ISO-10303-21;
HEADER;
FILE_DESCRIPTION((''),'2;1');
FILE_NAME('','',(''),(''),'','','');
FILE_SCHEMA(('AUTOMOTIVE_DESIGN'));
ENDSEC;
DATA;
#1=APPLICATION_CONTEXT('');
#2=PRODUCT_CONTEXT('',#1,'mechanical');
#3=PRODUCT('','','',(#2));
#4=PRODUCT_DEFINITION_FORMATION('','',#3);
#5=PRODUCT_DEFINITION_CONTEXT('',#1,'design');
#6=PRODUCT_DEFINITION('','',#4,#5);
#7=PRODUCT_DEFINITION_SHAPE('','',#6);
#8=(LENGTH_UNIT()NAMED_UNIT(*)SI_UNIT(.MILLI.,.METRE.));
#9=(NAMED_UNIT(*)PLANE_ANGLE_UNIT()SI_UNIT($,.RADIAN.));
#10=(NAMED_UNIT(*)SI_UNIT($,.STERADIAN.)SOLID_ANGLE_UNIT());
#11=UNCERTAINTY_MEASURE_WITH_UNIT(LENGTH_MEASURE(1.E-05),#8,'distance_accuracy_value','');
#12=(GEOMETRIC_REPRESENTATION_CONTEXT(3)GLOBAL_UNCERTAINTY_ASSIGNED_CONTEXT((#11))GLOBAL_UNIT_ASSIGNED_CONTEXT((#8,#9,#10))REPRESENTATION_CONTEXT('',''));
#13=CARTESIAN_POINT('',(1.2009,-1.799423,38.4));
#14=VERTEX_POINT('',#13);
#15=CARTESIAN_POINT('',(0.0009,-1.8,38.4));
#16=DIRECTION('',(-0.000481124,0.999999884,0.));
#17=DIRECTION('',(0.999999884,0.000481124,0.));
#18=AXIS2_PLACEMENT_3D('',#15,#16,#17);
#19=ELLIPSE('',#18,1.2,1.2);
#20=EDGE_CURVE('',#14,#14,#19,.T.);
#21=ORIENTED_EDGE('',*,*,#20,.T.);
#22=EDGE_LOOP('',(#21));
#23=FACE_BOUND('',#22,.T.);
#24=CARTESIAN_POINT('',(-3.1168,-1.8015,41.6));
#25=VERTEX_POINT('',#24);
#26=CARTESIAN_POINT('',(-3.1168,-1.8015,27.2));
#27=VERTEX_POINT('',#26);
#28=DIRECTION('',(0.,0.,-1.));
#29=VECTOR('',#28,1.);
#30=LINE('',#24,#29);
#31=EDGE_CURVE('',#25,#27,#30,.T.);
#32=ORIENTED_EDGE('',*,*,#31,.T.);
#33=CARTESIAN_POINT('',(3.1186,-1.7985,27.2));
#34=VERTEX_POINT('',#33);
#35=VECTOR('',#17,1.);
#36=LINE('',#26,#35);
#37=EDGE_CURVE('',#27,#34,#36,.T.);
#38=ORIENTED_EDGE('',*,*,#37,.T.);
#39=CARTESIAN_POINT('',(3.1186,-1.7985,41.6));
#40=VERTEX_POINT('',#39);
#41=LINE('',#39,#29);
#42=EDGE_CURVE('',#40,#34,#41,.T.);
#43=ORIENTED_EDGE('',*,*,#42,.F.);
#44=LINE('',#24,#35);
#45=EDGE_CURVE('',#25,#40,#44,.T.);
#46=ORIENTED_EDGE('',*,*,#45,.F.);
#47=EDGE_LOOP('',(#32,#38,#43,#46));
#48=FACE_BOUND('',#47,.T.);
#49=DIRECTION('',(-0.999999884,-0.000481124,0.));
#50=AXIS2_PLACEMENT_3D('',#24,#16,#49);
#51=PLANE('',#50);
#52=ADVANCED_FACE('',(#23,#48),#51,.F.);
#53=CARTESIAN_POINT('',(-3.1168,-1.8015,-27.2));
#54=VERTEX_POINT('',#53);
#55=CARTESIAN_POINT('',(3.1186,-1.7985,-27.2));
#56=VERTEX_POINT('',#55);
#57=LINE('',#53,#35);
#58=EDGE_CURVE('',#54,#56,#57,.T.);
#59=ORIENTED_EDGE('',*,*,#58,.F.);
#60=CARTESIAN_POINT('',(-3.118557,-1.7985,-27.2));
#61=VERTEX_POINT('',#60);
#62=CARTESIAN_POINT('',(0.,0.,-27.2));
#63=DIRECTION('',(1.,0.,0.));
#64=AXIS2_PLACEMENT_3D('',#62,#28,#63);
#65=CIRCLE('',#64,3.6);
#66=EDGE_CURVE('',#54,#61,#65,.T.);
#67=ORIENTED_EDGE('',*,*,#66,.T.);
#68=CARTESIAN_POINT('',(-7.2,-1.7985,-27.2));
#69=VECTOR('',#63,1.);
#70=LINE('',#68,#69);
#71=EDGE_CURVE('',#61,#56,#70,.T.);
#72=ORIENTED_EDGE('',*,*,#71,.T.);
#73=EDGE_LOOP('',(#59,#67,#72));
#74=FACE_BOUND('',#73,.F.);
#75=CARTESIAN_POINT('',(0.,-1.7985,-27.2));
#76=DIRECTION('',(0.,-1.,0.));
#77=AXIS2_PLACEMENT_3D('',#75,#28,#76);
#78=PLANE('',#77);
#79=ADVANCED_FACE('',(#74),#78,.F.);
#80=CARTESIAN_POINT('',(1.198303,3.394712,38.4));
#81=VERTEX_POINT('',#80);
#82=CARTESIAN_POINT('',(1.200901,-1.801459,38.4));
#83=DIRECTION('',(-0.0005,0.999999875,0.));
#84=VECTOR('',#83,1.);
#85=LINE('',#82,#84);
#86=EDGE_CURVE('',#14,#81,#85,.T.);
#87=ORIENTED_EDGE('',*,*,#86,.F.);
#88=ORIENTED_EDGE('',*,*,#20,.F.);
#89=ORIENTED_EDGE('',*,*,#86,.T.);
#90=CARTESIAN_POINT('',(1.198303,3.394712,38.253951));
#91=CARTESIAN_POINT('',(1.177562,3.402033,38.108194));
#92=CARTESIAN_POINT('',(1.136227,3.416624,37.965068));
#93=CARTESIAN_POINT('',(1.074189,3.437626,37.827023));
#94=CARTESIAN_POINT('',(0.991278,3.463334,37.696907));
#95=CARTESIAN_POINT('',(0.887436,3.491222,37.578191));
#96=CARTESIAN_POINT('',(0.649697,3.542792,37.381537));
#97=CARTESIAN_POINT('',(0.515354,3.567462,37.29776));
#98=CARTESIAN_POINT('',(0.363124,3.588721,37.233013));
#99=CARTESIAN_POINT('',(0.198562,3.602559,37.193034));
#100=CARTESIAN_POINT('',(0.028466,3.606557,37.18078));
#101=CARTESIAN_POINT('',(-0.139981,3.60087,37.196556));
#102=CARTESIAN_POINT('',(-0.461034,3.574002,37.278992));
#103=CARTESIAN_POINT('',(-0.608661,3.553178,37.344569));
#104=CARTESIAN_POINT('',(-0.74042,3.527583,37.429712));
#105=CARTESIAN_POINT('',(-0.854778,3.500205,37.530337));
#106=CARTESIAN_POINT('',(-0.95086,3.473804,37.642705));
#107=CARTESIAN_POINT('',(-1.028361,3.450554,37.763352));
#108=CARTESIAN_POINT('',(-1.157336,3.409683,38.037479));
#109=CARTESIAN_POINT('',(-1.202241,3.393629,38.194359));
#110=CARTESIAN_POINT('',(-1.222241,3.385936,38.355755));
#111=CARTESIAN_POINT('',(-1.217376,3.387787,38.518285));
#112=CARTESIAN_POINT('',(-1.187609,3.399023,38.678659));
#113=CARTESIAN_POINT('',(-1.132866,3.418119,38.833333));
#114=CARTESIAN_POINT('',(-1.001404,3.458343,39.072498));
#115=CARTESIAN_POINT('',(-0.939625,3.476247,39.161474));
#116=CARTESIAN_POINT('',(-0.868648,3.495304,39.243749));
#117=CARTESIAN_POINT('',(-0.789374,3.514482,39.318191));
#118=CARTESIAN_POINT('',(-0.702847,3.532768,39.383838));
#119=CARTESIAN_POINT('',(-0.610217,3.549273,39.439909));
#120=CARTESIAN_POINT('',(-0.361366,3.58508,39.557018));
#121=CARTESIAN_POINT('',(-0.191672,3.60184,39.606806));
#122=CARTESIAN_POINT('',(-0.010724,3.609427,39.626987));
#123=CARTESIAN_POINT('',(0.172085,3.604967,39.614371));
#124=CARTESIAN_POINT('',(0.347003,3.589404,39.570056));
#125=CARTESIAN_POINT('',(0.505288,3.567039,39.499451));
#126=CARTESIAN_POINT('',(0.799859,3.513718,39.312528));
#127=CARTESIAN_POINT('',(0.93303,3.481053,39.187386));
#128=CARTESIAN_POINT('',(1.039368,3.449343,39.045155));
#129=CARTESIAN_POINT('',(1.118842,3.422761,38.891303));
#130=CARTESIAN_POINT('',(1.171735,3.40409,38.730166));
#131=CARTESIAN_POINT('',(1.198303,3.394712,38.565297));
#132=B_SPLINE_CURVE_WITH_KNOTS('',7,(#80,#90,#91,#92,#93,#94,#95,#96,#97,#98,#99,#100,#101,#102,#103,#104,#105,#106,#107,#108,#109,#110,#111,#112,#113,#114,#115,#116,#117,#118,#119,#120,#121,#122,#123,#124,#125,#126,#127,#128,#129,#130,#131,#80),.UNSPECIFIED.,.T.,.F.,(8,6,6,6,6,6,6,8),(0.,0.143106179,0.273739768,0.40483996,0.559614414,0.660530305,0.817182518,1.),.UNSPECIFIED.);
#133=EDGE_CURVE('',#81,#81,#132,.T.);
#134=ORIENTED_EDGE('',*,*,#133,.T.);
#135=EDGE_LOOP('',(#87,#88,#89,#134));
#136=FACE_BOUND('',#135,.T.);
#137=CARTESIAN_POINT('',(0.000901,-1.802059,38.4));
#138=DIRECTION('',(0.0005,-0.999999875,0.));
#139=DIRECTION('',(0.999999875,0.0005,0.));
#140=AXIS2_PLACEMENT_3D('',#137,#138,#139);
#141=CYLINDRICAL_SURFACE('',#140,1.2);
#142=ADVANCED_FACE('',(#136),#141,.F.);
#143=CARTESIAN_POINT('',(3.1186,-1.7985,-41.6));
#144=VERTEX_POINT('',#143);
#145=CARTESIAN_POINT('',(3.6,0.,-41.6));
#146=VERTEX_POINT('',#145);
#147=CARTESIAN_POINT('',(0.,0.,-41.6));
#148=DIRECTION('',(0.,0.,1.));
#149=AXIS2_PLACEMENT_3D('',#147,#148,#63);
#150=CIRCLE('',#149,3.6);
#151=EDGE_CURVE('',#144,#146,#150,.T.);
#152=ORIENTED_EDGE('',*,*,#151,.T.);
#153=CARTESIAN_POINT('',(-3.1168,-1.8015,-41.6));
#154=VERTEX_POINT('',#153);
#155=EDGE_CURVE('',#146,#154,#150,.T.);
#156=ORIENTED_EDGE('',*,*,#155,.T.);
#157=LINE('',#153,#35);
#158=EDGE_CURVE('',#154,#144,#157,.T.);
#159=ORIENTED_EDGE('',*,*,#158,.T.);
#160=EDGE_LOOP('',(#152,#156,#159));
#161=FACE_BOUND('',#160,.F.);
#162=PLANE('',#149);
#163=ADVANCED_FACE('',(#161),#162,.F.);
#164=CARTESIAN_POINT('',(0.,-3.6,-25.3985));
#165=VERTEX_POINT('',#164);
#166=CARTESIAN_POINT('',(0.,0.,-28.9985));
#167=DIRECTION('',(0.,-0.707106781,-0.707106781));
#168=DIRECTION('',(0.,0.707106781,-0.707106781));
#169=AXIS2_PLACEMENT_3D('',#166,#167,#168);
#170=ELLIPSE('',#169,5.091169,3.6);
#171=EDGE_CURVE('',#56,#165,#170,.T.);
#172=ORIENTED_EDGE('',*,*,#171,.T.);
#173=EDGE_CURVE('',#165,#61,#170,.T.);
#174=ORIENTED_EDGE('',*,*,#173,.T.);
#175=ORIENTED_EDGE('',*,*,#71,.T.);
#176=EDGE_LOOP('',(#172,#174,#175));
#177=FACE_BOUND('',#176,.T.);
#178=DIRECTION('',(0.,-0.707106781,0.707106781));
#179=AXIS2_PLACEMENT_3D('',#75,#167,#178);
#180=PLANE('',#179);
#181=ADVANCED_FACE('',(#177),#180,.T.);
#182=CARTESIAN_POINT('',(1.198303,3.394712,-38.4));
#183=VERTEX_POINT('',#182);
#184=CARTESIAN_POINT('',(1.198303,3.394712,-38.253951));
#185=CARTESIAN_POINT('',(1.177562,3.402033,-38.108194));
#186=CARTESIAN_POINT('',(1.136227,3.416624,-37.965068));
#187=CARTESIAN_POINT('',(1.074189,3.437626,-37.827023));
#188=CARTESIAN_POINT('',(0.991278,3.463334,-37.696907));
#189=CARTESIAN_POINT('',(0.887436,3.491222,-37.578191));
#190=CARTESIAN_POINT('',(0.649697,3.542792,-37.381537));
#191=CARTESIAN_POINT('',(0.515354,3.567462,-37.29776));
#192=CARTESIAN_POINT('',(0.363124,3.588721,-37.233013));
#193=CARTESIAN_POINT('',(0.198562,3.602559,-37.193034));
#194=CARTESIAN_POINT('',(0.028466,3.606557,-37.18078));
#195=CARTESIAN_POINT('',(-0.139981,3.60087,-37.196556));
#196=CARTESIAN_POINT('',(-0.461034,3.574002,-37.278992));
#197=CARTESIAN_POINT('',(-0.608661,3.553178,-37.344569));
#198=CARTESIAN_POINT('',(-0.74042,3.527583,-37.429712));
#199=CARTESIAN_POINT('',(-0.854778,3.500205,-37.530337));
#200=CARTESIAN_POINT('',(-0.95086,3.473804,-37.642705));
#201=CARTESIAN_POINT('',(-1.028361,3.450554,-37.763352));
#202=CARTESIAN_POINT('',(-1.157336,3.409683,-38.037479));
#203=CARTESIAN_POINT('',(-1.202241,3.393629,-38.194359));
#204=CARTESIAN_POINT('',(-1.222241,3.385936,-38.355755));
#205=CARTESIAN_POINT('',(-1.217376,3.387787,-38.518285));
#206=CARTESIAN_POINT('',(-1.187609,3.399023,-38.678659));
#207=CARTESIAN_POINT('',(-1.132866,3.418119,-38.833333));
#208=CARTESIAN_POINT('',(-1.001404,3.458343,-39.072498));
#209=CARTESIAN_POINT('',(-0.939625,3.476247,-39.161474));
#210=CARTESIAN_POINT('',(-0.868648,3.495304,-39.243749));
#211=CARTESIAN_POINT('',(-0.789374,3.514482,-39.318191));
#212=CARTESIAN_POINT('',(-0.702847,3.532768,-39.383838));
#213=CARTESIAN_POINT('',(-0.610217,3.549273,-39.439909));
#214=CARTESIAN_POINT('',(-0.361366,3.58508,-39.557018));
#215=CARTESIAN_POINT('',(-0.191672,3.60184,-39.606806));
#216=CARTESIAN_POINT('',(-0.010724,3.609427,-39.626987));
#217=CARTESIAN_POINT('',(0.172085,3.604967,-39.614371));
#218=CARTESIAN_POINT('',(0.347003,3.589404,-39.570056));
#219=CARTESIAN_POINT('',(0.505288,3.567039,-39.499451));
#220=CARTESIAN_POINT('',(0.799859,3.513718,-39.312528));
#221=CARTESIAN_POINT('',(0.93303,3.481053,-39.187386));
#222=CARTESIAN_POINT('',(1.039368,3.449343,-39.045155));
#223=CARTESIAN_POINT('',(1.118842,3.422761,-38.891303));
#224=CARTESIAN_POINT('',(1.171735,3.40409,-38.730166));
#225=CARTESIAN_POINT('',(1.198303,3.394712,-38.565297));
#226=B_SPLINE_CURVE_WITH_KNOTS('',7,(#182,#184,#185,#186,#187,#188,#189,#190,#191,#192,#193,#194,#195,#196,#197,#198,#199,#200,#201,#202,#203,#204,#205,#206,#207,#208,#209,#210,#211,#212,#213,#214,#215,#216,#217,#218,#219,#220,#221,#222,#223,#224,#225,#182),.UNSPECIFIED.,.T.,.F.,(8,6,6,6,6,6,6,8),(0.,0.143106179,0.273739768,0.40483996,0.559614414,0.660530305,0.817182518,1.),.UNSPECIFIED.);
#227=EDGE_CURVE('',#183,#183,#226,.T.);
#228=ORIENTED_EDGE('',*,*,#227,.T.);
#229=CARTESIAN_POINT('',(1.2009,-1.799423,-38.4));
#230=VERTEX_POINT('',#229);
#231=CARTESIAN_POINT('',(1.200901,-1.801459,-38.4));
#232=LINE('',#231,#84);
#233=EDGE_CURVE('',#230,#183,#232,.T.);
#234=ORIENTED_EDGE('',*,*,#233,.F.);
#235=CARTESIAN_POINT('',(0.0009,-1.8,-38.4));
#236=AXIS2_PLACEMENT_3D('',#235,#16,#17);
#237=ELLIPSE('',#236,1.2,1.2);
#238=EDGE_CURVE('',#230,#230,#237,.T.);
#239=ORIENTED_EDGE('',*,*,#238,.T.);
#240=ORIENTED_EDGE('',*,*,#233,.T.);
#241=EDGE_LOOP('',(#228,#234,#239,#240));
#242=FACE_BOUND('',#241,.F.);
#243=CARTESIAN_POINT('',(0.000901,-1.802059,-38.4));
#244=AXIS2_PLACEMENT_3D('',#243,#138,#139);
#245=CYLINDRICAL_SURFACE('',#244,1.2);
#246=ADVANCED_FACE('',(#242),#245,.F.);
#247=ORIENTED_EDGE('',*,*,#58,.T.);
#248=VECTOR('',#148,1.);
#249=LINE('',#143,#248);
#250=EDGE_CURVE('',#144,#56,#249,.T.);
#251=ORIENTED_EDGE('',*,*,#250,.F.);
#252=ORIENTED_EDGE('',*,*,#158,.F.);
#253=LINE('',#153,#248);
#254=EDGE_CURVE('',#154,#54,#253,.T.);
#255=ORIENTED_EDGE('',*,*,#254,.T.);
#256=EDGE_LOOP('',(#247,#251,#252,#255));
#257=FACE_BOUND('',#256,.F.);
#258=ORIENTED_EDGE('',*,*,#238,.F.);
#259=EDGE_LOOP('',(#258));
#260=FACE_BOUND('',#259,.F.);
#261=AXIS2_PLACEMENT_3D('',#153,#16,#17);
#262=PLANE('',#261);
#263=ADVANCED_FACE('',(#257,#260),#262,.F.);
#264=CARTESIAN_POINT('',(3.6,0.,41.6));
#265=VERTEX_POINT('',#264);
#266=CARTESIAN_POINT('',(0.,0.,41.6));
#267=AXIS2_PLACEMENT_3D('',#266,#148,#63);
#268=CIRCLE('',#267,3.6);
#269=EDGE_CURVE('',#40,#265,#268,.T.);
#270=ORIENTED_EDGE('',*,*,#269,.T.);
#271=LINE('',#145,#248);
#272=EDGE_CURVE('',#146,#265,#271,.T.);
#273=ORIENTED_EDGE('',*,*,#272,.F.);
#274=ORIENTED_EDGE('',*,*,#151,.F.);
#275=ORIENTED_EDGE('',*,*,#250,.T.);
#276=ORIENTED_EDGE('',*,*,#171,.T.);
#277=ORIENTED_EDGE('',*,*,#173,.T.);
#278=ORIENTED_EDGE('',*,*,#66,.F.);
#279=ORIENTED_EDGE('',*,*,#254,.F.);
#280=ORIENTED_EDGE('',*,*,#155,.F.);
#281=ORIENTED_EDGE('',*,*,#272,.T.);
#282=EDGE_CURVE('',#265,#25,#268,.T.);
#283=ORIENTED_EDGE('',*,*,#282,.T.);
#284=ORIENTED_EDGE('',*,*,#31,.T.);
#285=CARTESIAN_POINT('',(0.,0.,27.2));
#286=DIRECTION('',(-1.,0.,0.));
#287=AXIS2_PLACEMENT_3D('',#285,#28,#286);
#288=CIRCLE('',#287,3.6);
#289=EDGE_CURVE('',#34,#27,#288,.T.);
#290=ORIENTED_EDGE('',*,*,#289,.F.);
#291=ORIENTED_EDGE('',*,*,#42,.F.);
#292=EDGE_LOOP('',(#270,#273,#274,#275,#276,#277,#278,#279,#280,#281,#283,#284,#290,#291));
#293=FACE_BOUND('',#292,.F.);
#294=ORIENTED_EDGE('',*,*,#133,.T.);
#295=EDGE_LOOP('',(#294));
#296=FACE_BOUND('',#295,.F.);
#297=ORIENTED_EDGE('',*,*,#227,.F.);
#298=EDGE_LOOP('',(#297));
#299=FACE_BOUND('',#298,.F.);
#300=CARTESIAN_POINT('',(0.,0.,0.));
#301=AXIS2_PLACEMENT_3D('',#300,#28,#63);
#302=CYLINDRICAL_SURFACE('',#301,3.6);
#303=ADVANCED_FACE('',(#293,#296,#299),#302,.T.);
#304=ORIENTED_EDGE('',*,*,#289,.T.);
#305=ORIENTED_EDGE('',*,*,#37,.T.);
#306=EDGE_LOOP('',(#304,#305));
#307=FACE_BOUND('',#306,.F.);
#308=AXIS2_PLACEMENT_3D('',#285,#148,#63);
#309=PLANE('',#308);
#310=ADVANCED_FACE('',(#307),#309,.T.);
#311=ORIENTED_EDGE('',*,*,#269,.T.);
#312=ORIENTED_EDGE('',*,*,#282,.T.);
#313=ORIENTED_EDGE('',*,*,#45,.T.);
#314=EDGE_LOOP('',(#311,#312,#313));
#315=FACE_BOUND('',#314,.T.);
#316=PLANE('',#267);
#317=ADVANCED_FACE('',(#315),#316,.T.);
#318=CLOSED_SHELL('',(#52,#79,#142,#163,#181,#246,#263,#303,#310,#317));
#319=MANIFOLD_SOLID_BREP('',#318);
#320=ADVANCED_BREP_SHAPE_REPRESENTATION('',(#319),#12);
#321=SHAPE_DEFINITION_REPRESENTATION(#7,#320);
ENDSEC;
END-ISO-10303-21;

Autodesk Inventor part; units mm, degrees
ref_plane "YZ Plane" through (0, 0, 0) normal (1, 0, 0) x (0, 1, 0)
ref_plane "XZ Plane" through (0, 0, 0) normal (0, 1, 0) x (-1, 0, 0)
ref_plane "XY Plane" through (0, 0, 0) normal (0, 0, 1) x (1, 0, 0)
sketch "Sketch1" plane through (0, 0, 0) normal (0, 0, 1) x (1, 0, 0)
  circle A0 centre (0, 0) radius 3.6
  dimension "d0" = 7.2
extrude "Extrusion1" add sketch "Sketch1" along normal mid plane 83.2
sketch "Sketch2" plane through (0, 0, -41.6) normal (0, 0, -1) x (-1, 0, 0)
  circle A0 centre (0, 0) radius 3.6 projected
  circle A1 centre (0, 0) radius 3.6 projected
  line L0 (3.1168, -1.8015) -> (-3.1186, -1.7985)
  dimension "d3" = 1.8
extrude "Extrusion2" cut sketch "Sketch2" against normal blind 14.4 contours L0 A0 picked at (0.0258, -2.6154)
sketch "Sketch3" plane through (3.1186, -1.7985, -41.6) normal (0.0005, -1, 0) x (1, 0.0005, 0)
  line L0 (-3.1177, -16.64) -> (-3.1177, 99.84) projected
  circle A0 centre (-3.1177, 3.2) radius 1.2
  line L1 (0, 0) -> (-6.2354, 0) projected
  point P0 (-3.1177, 41.6)
  dimension "d6" = 2.4
  dimension "d7" = 3.2
extrude "Extrusion3" cut sketch "Sketch3" against normal blind 14.4
mirror "Mirror1" about plane through (0, 0, 0) normal (0, 0, 1) of "Extrusion3", "Extrusion2"
sketch "Sketch4" plane through (0, 0, 0) normal (1, 0, 0) x (0, 1, 0)
  line L0 (-3.6, -27.2) -> (-3.6, 27.2) projected
  line L1 (-1.7985, -27.2) -> (-3.6, -27.2) projected
  line L2 (-1.7985, -27.2) -> (-3.6, -25.3985)
  point P0 (0, 0)
  point P1 (-1.8015, -27.2)
  dimension "d10" = 45
extrude "Extrusion4" cut sketch "Sketch4" along normal mid plane 14.4
sketch "Sketch5" plane through (0, 0, -41.6) normal (0, 0, -1) x (-1, 0, 0)
  point P0 (0, 0)
sketch "Sketch6" plane through (0, 0, -41.6) normal (0, 0, -1) x (-1, 0, 0)
  line L0 (-3.1186, -1.7985) -> (3.1168, -1.8015) projected
  arc A0 (3.1168, -1.8015) -> (-3.1186, -1.7985) centre (0, 0) ccw projected
  line L1 (-3.1186, -1.7985) -> (3.1168, -1.8015) projected
  arc A1 (3.1168, -1.8015) -> (-3.1186, -1.7985) centre (0, 0) ccw projected
  line L2 (5.2617, -6.8026) -> (-5.2683, -6.7974)
  arc A2 (5.2617, -6.8026) -> (-5.2683, -6.7974) centre (0, 0) ccw
  dimension "d13" = 5
extrude "Extrusion5" [suppressed]
properties part number "Back axle"
